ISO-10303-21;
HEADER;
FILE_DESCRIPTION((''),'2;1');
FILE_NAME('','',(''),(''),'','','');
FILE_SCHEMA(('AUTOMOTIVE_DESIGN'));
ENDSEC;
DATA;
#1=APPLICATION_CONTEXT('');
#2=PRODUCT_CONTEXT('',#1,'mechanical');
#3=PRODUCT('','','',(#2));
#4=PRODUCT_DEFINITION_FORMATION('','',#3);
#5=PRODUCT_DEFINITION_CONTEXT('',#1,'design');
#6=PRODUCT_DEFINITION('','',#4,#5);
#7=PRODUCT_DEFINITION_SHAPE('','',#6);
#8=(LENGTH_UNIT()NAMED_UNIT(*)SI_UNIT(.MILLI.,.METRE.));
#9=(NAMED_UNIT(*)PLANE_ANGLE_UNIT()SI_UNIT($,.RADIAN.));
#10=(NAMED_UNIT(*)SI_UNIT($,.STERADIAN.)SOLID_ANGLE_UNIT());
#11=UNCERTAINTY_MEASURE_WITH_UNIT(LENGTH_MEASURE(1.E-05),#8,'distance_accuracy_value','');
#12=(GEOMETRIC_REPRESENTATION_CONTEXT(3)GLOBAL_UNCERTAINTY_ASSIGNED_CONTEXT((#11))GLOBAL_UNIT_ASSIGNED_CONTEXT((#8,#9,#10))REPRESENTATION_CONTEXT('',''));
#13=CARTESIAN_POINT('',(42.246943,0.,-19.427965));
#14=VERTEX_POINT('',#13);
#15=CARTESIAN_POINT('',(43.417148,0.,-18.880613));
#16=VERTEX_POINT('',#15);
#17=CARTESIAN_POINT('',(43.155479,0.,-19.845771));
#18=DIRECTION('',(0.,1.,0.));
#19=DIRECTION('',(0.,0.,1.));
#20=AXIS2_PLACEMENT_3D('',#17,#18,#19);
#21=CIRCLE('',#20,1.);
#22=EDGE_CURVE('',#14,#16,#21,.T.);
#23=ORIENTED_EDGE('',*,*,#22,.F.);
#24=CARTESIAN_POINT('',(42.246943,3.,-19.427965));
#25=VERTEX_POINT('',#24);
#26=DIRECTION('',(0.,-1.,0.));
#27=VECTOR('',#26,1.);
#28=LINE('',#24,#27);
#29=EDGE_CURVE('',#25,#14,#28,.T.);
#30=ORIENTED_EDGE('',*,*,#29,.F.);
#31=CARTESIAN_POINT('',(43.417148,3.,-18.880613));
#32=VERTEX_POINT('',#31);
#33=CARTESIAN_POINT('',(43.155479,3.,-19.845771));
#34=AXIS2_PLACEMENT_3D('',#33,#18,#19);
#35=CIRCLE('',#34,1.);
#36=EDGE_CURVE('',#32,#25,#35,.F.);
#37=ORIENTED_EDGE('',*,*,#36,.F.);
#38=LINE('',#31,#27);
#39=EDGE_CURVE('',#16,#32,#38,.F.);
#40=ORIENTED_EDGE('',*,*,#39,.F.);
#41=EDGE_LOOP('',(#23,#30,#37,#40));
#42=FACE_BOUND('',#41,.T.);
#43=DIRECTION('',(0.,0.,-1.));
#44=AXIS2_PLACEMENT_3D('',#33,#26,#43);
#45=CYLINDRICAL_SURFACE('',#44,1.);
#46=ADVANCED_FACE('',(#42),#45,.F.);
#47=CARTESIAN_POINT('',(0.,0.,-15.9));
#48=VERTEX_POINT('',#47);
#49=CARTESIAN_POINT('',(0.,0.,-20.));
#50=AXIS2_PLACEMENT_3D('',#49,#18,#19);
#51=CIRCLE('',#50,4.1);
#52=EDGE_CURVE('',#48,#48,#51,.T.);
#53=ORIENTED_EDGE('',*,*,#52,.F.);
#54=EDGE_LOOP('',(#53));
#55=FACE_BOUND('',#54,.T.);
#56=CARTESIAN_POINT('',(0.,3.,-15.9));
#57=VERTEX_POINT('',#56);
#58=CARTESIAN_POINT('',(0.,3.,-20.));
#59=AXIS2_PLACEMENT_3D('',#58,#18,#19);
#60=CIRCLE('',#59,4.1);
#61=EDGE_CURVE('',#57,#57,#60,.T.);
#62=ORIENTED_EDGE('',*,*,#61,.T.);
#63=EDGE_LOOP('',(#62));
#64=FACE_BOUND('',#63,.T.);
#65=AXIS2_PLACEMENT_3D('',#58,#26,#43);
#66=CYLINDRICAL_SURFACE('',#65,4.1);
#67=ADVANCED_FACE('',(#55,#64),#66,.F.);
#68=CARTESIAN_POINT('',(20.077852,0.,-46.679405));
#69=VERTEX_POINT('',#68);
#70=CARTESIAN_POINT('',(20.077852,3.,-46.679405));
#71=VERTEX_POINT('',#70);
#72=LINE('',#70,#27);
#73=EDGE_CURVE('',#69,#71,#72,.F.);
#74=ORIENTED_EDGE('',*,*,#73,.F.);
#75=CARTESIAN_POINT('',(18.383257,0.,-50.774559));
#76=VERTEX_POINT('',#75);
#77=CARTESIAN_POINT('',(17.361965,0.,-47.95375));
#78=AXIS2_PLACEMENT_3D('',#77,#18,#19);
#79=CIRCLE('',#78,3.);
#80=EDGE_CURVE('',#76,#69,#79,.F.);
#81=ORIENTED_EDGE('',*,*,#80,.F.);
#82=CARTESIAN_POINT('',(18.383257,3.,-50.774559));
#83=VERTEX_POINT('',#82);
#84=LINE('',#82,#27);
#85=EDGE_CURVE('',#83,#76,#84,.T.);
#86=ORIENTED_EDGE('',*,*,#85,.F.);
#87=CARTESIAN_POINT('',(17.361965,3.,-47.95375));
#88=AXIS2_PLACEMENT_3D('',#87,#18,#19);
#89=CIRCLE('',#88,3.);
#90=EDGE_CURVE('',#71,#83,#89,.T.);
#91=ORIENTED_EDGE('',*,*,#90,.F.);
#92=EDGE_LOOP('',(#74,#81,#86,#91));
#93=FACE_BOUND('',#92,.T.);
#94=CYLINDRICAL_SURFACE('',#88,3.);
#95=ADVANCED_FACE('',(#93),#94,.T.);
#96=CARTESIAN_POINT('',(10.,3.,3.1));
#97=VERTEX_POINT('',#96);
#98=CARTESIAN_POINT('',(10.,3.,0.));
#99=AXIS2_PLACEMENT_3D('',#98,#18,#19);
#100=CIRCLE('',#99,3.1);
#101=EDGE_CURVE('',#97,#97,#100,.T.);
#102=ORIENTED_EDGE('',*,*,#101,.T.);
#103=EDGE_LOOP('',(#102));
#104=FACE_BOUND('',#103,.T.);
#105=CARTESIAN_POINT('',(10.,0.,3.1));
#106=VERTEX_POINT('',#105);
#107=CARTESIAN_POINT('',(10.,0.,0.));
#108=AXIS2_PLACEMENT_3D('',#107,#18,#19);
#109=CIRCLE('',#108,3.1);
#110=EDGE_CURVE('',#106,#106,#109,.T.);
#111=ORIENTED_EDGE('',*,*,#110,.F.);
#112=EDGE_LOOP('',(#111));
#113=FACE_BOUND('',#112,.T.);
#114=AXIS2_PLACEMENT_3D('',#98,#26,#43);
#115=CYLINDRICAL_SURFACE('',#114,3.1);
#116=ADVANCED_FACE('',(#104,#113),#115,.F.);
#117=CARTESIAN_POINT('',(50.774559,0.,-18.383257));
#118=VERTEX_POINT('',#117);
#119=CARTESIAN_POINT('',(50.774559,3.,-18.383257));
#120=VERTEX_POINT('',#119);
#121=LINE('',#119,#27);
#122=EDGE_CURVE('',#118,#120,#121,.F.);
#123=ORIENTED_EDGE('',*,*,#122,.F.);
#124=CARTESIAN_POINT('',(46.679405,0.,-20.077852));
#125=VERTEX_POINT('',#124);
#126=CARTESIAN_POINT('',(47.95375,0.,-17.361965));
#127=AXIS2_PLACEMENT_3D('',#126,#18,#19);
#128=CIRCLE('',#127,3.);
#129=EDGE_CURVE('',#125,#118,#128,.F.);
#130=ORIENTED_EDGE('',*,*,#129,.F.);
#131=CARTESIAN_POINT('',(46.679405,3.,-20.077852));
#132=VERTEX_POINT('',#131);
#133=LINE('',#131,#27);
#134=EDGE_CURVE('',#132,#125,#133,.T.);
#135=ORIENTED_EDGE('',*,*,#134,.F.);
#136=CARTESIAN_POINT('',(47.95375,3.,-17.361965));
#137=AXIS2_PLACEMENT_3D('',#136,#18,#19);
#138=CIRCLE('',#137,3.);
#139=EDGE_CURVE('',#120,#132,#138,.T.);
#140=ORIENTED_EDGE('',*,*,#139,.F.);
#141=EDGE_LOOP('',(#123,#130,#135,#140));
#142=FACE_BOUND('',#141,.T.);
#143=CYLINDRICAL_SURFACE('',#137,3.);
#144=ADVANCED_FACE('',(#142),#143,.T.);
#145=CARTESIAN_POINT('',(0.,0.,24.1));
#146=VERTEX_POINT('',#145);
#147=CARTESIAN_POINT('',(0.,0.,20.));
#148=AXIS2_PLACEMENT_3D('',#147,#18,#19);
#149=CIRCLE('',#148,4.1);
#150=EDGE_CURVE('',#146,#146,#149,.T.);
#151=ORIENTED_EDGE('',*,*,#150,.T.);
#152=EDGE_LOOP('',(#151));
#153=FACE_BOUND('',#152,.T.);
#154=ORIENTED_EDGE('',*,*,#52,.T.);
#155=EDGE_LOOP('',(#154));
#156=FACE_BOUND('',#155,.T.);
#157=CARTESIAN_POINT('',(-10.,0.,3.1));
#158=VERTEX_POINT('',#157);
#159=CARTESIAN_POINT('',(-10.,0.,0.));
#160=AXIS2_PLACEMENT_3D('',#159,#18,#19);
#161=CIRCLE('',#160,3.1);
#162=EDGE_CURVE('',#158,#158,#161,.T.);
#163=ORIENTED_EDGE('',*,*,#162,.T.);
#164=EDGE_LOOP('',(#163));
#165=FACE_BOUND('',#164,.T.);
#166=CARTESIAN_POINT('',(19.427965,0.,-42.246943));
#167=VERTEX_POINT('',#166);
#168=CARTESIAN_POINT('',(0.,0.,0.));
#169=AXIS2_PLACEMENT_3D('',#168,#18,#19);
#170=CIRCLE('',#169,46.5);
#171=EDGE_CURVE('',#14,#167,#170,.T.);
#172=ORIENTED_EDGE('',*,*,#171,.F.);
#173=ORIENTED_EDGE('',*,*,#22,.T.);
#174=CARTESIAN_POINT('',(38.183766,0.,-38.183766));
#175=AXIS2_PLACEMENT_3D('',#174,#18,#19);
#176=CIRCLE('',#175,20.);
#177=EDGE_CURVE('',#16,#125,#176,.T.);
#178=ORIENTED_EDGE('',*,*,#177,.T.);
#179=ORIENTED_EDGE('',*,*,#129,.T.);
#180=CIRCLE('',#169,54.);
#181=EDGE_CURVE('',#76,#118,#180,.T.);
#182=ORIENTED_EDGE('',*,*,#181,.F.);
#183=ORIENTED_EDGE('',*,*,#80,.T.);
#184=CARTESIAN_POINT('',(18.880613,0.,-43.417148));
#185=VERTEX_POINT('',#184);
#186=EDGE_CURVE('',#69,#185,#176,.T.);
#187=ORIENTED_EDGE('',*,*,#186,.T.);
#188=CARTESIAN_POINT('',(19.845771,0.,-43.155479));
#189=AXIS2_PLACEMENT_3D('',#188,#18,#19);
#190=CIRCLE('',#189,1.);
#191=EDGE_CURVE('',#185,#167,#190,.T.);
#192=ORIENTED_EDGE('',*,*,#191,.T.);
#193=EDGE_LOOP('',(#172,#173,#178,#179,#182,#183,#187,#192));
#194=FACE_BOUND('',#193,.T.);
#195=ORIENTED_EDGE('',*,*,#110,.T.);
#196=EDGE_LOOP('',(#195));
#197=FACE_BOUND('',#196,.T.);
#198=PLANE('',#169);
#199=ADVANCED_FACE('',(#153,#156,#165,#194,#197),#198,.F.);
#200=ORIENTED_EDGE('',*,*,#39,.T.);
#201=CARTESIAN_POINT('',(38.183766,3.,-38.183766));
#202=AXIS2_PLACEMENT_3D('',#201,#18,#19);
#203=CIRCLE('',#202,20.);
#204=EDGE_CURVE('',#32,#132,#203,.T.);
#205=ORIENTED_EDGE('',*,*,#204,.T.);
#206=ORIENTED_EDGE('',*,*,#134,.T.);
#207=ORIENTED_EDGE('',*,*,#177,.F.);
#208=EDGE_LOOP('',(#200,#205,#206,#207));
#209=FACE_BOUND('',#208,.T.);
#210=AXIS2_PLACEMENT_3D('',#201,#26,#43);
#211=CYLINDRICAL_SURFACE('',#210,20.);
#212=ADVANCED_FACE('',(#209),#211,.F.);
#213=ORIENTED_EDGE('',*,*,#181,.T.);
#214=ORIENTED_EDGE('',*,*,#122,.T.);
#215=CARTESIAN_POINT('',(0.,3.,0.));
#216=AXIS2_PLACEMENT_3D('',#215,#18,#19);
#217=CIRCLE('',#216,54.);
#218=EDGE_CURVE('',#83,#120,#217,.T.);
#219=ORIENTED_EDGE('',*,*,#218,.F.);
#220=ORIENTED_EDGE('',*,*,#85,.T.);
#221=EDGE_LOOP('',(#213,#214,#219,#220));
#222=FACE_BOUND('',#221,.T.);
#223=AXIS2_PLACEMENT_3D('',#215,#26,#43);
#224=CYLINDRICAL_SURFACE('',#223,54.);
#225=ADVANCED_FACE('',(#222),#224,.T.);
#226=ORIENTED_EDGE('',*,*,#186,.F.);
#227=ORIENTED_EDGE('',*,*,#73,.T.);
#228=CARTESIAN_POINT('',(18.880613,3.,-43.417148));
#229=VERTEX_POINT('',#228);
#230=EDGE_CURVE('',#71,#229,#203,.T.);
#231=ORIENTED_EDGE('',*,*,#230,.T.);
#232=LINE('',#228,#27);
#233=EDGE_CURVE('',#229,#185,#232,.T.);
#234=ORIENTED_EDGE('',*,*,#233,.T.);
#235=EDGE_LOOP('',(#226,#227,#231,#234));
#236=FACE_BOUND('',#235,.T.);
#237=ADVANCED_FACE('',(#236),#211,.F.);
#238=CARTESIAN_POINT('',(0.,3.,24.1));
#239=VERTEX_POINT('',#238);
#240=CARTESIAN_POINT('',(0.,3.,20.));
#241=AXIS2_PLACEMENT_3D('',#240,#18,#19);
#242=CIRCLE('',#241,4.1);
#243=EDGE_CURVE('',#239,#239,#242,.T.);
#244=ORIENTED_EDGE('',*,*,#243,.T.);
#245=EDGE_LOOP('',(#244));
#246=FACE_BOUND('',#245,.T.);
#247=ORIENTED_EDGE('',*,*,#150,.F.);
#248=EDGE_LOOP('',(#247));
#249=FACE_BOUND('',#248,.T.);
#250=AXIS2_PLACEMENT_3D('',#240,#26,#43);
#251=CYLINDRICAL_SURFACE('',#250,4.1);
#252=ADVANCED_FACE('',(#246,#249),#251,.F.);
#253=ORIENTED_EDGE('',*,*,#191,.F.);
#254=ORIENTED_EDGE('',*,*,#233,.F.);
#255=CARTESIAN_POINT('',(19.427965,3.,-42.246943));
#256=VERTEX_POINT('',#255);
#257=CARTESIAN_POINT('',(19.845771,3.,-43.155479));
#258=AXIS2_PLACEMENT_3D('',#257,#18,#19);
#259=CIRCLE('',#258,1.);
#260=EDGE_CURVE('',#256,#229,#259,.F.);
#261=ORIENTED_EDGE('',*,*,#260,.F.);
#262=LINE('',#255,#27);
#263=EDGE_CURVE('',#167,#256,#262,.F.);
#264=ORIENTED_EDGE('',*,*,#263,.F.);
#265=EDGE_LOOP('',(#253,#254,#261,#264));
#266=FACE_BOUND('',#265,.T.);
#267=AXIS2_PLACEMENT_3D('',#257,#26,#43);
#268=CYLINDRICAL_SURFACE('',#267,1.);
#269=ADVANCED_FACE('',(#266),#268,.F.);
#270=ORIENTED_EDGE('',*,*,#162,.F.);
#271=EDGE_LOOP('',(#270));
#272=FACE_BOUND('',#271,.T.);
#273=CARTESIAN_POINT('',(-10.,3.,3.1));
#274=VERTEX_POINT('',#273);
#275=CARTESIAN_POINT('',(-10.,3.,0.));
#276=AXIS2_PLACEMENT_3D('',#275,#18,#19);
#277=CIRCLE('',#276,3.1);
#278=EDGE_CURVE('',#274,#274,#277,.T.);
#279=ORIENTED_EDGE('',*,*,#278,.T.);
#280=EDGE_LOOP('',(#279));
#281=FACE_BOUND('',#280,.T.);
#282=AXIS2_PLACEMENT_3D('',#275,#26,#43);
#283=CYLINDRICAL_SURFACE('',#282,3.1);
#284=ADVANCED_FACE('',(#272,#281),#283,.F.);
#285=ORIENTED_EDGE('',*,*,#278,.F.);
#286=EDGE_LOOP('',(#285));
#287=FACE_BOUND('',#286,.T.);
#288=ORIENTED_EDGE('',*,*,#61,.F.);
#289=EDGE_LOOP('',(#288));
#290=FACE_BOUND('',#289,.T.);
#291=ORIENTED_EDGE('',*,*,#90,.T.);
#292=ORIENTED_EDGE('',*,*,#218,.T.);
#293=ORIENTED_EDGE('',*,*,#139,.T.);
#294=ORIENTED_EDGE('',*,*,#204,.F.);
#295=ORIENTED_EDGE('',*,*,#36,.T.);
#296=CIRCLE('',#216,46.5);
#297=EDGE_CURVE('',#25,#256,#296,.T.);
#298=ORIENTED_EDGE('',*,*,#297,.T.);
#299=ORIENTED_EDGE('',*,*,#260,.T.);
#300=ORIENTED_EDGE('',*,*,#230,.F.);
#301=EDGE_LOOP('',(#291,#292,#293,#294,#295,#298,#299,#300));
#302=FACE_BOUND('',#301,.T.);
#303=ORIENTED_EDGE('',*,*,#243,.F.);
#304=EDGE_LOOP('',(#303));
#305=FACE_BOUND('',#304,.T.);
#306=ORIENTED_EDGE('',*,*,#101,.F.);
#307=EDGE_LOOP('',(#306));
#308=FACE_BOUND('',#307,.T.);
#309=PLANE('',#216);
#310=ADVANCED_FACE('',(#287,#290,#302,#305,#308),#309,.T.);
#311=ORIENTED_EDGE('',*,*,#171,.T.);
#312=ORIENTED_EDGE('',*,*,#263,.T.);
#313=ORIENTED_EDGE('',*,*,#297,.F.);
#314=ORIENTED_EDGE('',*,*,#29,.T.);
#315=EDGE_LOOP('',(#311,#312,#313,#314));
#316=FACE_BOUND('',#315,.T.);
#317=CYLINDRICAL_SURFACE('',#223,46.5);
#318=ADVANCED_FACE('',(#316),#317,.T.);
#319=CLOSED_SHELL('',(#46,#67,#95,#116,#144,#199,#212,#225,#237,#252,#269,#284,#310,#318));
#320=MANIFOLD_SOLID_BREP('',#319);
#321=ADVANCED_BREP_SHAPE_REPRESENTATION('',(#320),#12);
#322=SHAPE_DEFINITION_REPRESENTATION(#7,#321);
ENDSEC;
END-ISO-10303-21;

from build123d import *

# Parameters (mm, degrees)
SKETCH1_R           = 3.1
SKETCH1_R_2         = 4.1
BOSS_EXTRUDE1_DEPTH = 3
FILLET1_R           = 3
FILLET2_R           = 1


with BuildPart() as part:
    # Sketch1 → Boss-Extrude1 (new body)
    with BuildSketch(Plane(origin=(0, 0, 0), x_dir=(1, 0, 0), z_dir=(0, 1, 0))):
        with BuildLine():
            ThreePointArc((21.667324002, 49.462380357), (-38.183766184, -38.183766184), (49.462380357, 21.667324002))
            ThreePointArc((49.462380357, 21.667324002), (46.165505457, 19.845504593), (42.585510083, 18.674162122))
            ThreePointArc((42.585510083, 18.674162122), (32.880465325, 32.880465325), (18.674162122, 42.585510083))
            ThreePointArc((18.674162122, 42.585510083), (19.845504593, 46.165505457), (21.667324002, 49.462380357))
        make_face()
        with Locations(Location((10, 0, 0), (0, 0, 270))):
            Circle(SKETCH1_R, mode=Mode.SUBTRACT)
        with Locations(Location((0, 20, 0), (0, 0, 270))):
            Circle(SKETCH1_R_2, mode=Mode.SUBTRACT)
        with Locations(Location((0, -20, 0), (0, 0, 270))):
            Circle(SKETCH1_R_2, mode=Mode.SUBTRACT)
        with Locations(Location((-10, 0, 0), (0, 0, 270))):
            Circle(SKETCH1_R, mode=Mode.SUBTRACT)
    extrude(amount=BOSS_EXTRUDE1_DEPTH)

    # Fillet1
    fillet1_edges = [part.edges().sort_by_distance(p)[0] for p in [
        (49.462380357, 1.5, -21.667324002),
        (21.667324002, 1.5, -49.462380357),
    ]]
    fillet(fillet1_edges, radius=FILLET1_R)

    # Fillet2
    fillet2_edges = [part.edges().sort_by_distance(p)[0] for p in [
        (18.674162122, 1.5, -42.585510083),
        (42.585510083, 1.5, -18.674162122),
    ]]
    fillet(fillet2_edges, radius=FILLET2_R)


solid = part.part
